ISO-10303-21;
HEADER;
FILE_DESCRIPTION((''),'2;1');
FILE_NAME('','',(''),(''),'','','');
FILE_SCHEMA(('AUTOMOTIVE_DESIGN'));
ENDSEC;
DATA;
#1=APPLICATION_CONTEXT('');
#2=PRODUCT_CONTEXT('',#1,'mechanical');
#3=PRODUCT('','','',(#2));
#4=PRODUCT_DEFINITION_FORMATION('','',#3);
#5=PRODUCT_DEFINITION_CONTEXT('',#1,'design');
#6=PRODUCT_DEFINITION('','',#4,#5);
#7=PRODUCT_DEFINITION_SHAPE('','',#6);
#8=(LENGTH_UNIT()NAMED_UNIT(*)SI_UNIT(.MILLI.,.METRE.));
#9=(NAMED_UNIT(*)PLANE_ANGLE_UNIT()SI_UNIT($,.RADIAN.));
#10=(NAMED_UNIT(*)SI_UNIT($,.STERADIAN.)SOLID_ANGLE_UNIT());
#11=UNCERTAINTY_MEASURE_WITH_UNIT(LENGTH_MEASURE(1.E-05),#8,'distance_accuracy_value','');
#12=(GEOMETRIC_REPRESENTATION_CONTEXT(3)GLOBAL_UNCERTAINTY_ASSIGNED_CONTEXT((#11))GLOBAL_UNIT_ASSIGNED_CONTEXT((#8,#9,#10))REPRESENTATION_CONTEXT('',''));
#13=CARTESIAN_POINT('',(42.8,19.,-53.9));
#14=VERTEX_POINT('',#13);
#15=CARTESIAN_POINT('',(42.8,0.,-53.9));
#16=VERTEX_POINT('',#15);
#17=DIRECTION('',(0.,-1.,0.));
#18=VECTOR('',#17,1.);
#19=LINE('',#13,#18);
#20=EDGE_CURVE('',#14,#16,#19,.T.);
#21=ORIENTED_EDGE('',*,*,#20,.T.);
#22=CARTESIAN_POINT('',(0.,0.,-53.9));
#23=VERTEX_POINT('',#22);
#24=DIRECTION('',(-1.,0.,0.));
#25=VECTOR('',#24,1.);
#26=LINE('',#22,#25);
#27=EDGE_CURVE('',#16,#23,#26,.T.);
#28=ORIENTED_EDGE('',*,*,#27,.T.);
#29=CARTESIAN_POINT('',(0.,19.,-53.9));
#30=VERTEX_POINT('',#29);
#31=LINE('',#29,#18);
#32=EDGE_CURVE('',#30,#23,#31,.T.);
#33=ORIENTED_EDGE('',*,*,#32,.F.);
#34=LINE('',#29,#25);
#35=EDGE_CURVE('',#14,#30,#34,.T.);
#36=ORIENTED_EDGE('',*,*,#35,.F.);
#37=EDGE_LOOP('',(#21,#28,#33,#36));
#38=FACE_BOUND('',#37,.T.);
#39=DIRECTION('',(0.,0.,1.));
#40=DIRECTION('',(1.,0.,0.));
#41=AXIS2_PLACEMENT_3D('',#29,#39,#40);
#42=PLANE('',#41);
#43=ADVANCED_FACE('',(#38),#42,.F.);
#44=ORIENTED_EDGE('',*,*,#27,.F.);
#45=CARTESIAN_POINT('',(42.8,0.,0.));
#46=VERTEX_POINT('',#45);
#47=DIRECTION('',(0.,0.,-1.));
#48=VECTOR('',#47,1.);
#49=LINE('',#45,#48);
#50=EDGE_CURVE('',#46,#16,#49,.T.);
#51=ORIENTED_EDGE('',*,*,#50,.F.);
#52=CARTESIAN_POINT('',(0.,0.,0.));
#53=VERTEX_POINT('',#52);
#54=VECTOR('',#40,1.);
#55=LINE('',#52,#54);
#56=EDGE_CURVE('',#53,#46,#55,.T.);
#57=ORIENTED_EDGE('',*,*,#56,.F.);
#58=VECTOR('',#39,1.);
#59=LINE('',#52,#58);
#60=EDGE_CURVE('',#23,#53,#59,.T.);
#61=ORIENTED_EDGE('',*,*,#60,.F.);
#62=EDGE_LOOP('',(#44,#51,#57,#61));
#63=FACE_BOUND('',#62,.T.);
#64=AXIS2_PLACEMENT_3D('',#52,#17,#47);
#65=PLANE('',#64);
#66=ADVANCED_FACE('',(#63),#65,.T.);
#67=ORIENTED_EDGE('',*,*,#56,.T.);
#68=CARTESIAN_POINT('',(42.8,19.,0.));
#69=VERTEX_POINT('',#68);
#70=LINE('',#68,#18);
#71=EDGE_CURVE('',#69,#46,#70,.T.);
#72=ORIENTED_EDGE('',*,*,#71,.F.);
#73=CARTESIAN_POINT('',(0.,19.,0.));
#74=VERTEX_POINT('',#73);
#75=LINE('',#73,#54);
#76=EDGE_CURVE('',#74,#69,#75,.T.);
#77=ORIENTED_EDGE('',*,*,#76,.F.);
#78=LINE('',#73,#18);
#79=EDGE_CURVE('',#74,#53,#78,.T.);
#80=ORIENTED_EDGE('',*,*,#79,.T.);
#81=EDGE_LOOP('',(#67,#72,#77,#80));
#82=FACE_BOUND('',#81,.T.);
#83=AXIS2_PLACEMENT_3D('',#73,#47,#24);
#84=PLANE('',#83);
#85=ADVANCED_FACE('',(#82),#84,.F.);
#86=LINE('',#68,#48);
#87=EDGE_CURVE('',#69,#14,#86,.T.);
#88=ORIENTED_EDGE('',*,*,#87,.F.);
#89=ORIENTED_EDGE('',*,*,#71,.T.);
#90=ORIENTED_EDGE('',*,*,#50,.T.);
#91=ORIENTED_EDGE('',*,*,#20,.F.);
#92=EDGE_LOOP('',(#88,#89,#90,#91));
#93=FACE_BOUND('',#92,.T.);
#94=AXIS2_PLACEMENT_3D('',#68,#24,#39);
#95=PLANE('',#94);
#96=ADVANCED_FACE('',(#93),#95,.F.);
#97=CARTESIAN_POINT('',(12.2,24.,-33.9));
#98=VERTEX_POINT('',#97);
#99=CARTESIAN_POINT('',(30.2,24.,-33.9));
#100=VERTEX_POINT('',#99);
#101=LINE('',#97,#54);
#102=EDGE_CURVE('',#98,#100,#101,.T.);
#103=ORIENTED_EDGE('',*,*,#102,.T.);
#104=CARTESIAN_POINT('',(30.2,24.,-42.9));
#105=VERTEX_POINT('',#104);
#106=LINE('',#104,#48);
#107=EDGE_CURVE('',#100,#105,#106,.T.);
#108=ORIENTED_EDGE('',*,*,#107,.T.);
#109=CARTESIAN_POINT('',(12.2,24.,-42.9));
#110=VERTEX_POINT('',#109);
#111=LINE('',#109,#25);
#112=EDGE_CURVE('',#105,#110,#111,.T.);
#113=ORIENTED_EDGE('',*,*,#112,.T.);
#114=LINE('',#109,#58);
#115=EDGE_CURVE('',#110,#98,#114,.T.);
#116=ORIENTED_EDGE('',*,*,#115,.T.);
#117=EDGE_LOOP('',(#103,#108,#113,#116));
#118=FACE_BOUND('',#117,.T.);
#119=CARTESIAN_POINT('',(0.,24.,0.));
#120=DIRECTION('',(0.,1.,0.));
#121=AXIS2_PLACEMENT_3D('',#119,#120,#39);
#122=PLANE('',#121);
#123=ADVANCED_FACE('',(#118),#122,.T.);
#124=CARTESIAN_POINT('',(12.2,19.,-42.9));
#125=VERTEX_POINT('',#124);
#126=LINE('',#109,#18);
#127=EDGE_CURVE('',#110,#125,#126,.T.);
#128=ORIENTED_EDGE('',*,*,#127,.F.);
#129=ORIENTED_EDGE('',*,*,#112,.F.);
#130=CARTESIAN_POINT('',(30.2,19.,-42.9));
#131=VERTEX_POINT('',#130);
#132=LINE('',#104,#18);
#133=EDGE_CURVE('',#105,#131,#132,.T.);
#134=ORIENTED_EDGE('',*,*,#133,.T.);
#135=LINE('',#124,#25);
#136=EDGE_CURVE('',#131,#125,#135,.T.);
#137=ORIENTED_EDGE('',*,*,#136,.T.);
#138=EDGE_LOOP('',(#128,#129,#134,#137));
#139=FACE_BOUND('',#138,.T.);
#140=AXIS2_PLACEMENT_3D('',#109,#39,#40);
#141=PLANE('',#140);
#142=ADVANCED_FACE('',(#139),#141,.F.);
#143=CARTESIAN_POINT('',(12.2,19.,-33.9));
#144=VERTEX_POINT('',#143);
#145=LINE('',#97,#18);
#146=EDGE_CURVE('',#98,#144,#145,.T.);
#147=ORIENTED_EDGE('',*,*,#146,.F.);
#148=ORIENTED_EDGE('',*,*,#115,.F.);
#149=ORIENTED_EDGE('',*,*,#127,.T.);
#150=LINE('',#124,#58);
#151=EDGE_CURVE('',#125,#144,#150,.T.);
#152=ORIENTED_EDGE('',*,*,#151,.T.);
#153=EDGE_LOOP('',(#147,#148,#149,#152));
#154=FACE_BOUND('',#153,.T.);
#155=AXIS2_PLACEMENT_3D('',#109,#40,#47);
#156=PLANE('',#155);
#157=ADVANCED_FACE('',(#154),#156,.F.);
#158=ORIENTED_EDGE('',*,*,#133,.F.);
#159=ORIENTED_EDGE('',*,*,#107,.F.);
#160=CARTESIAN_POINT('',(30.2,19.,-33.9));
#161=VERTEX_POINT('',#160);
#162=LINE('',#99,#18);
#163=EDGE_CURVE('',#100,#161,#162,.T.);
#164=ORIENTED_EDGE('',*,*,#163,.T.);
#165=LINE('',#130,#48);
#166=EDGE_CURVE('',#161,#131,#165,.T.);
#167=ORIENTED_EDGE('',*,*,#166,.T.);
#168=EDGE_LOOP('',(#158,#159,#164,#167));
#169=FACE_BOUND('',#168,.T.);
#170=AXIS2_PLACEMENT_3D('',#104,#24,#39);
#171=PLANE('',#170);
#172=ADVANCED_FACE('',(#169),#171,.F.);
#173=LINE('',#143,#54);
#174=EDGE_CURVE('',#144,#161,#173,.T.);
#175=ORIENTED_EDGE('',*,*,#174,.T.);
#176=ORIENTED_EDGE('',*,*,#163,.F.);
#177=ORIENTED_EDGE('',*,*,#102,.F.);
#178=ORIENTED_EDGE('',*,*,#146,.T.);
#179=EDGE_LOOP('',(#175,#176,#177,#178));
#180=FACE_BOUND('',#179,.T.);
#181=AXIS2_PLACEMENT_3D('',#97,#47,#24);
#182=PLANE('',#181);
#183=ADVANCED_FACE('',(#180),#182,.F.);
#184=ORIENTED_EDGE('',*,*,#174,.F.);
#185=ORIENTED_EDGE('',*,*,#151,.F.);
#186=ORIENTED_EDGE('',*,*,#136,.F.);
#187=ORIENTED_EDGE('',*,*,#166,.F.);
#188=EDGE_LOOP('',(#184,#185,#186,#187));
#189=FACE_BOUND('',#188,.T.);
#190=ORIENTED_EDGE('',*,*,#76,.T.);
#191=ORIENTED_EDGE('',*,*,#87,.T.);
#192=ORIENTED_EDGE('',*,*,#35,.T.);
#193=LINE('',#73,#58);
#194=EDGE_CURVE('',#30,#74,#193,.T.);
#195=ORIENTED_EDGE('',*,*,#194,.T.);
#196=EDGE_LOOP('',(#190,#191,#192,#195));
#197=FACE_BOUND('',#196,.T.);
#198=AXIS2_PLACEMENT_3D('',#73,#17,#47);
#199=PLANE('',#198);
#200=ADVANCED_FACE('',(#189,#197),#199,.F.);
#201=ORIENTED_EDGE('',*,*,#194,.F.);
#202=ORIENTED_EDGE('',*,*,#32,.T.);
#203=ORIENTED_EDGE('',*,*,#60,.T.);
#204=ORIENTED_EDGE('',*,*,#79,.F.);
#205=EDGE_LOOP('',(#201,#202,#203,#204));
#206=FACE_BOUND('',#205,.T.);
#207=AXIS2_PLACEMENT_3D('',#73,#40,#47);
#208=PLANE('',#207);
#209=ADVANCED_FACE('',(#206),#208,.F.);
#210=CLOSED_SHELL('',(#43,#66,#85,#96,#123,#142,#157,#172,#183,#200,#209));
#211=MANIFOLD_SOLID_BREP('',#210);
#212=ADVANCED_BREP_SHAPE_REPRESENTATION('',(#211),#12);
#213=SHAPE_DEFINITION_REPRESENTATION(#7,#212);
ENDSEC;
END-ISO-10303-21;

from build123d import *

# Parameters (mm, degrees)
ESQUISSE1_W        = 42.8
ESQUISSE1_H        = 53.9
BOSS_EXTRU_1_DEPTH = 19
ESQUISSE2_W        = 18
ESQUISSE2_H        = 9
BOSS_EXTRU_2_DEPTH = 5


with BuildPart() as part:
    # Esquisse1 → Boss.-Extru.1 (new body)
    with BuildSketch(Plane(origin=(0, 0, 0), x_dir=(1, 0, 0), z_dir=(0, 1, 0))):
        with Locations((21.4, 26.95)):
            Rectangle(ESQUISSE1_W, ESQUISSE1_H)
    extrude(amount=BOSS_EXTRU_1_DEPTH)

    # Esquisse2 → Boss.-Extru.2 (add)
    with BuildSketch(Plane(origin=(0, 19, 0), x_dir=(1, 0, 0), z_dir=(0, 1, 0))):
        with Locations((21.2, 38.4)):
            Rectangle(ESQUISSE2_W, ESQUISSE2_H)
    extrude(amount=BOSS_EXTRU_2_DEPTH)


solid = part.part
